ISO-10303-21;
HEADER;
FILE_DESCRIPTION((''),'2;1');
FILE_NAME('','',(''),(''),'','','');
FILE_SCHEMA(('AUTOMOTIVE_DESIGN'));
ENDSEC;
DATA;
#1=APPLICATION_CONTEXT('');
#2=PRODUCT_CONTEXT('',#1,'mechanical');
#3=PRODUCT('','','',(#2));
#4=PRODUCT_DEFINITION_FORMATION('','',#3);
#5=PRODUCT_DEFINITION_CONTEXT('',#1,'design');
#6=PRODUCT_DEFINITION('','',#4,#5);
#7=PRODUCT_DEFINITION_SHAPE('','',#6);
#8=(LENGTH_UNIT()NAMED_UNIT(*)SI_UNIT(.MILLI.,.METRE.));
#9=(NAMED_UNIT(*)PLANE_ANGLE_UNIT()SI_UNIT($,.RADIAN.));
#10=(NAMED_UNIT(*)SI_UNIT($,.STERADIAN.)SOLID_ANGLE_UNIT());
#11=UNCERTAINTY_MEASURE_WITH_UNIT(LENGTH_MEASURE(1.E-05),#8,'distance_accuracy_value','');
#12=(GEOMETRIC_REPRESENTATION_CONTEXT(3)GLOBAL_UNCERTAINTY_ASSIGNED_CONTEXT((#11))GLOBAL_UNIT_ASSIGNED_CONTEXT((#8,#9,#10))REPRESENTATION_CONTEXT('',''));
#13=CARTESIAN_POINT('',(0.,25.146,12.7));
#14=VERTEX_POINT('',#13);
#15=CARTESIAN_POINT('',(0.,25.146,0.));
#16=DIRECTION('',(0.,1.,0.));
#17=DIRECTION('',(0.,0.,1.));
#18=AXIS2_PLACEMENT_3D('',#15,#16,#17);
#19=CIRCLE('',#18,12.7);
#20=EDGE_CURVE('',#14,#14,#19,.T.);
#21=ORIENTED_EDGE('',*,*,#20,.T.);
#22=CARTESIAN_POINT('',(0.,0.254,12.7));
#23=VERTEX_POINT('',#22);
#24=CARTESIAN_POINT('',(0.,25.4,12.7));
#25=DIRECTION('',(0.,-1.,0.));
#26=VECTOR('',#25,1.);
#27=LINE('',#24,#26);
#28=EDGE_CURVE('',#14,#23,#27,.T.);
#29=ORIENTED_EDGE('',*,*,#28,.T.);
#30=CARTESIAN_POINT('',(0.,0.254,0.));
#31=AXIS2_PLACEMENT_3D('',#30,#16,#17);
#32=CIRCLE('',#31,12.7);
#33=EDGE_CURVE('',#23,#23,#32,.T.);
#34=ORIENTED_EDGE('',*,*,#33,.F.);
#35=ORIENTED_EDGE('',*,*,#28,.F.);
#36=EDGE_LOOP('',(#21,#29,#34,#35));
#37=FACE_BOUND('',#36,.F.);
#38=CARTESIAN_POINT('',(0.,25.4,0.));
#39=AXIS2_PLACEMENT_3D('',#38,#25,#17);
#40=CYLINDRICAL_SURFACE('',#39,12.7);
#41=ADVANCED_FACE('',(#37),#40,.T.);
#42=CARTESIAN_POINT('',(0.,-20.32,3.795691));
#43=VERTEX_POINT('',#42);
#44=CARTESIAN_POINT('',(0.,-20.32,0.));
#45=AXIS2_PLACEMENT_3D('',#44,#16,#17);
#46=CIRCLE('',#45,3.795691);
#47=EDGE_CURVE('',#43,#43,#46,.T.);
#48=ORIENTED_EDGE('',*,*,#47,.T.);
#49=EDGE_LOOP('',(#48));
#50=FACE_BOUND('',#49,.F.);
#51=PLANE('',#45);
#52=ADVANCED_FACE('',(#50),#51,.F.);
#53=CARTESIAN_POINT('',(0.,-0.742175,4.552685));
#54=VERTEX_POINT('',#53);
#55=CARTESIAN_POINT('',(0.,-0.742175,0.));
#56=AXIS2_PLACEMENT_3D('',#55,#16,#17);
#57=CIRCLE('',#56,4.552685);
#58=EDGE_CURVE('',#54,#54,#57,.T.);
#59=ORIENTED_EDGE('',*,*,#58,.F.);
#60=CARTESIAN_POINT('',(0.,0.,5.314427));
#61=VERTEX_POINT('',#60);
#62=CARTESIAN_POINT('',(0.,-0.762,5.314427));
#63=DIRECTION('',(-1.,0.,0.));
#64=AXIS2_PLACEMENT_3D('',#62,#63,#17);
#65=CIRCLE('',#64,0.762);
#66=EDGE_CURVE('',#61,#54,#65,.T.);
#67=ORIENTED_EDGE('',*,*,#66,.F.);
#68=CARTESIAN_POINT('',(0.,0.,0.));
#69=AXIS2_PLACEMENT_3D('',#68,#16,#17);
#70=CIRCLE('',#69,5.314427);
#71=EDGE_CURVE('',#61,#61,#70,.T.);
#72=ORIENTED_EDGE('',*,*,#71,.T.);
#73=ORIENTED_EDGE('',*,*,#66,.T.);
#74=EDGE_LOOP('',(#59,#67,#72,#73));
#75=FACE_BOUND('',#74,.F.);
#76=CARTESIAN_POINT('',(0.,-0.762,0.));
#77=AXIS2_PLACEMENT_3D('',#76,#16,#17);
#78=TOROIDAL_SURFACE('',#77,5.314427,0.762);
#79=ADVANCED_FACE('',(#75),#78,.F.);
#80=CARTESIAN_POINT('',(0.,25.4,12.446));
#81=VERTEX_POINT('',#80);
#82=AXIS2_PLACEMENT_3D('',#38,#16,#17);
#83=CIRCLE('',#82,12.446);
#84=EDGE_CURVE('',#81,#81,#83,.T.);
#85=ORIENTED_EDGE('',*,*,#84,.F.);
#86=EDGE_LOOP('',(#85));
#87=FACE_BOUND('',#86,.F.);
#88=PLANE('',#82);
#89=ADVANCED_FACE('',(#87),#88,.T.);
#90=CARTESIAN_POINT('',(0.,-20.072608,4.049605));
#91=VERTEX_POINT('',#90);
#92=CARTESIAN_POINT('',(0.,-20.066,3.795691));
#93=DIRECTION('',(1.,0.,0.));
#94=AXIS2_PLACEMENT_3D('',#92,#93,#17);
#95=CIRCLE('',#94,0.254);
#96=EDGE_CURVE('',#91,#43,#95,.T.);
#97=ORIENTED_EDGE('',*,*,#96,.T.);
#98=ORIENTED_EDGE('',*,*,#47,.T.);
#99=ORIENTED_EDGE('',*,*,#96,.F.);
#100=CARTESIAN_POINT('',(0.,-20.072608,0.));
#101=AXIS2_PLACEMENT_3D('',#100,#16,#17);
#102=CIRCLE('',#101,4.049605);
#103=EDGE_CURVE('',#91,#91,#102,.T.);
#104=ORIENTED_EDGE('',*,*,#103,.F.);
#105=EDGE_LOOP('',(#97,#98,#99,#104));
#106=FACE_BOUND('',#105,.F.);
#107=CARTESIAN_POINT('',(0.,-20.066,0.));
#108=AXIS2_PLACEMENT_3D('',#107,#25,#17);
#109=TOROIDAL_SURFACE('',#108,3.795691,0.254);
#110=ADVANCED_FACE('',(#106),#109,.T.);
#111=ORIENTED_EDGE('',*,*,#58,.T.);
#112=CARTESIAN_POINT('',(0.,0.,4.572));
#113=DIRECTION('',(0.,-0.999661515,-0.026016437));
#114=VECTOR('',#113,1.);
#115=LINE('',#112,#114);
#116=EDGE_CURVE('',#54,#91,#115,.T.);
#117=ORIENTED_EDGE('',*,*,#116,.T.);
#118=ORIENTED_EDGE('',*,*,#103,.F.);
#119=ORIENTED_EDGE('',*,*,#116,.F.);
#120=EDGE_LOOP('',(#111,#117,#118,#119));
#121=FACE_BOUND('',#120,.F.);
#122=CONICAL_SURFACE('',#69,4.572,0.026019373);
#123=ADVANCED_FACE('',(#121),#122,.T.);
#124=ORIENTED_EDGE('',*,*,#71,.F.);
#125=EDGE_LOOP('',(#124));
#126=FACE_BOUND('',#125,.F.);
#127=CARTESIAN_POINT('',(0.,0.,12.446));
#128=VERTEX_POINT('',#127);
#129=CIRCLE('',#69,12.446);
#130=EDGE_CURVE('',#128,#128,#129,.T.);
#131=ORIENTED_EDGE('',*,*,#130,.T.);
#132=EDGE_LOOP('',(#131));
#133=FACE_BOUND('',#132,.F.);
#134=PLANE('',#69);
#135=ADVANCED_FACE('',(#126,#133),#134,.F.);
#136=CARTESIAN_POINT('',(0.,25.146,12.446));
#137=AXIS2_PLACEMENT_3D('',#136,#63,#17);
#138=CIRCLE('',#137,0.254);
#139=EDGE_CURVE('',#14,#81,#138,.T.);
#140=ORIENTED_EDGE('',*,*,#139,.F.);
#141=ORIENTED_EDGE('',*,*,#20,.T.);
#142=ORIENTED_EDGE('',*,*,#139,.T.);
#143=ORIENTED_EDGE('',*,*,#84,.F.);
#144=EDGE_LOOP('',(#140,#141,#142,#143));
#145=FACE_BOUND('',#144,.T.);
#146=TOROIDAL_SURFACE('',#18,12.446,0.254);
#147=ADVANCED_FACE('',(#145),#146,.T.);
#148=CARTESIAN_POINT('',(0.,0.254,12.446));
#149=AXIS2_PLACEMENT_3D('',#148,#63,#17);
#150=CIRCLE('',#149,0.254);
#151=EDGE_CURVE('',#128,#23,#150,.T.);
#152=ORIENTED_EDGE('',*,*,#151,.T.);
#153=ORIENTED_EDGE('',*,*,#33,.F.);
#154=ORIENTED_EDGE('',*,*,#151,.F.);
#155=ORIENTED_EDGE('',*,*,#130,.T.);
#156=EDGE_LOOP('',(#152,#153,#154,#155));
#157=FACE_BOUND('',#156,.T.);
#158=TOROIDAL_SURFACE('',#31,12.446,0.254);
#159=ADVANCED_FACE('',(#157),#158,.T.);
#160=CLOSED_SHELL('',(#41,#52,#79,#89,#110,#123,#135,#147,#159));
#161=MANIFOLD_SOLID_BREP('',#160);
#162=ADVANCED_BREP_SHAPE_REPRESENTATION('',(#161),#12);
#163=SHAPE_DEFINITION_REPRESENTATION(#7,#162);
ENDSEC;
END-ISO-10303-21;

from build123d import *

# Parameters (mm, degrees)
F2_R = 0.762
F3_R = 0.254


with BuildPart() as f1:
    # F0 (on Right) → F1 (revolve)
    with BuildSketch(Plane.YZ):
        Polygon((-20.32, 0), (25.4, 0), (25.4, 12.7), (0, 12.7), (0, 4.572), (-20.32, 4.043167), align=None)
    revolve(axis=Axis((0, 2.54, 0), (0, 1, 0)))

    # F2
    f2_edges = [f1.edges().sort_by_distance(p)[0] for p in [
        (0, 0, -4.572),
    ]]
    fillet(f2_edges, radius=F2_R)

    # F3
    f3_edges = [f1.edges().sort_by_distance(p)[0] for p in [
        (0, 0, -12.7),
        (0, 25.4, -12.7),
        (0, -20.32, -4.043167),
    ]]
    fillet(f3_edges, radius=F3_R)


solid = f1.part
